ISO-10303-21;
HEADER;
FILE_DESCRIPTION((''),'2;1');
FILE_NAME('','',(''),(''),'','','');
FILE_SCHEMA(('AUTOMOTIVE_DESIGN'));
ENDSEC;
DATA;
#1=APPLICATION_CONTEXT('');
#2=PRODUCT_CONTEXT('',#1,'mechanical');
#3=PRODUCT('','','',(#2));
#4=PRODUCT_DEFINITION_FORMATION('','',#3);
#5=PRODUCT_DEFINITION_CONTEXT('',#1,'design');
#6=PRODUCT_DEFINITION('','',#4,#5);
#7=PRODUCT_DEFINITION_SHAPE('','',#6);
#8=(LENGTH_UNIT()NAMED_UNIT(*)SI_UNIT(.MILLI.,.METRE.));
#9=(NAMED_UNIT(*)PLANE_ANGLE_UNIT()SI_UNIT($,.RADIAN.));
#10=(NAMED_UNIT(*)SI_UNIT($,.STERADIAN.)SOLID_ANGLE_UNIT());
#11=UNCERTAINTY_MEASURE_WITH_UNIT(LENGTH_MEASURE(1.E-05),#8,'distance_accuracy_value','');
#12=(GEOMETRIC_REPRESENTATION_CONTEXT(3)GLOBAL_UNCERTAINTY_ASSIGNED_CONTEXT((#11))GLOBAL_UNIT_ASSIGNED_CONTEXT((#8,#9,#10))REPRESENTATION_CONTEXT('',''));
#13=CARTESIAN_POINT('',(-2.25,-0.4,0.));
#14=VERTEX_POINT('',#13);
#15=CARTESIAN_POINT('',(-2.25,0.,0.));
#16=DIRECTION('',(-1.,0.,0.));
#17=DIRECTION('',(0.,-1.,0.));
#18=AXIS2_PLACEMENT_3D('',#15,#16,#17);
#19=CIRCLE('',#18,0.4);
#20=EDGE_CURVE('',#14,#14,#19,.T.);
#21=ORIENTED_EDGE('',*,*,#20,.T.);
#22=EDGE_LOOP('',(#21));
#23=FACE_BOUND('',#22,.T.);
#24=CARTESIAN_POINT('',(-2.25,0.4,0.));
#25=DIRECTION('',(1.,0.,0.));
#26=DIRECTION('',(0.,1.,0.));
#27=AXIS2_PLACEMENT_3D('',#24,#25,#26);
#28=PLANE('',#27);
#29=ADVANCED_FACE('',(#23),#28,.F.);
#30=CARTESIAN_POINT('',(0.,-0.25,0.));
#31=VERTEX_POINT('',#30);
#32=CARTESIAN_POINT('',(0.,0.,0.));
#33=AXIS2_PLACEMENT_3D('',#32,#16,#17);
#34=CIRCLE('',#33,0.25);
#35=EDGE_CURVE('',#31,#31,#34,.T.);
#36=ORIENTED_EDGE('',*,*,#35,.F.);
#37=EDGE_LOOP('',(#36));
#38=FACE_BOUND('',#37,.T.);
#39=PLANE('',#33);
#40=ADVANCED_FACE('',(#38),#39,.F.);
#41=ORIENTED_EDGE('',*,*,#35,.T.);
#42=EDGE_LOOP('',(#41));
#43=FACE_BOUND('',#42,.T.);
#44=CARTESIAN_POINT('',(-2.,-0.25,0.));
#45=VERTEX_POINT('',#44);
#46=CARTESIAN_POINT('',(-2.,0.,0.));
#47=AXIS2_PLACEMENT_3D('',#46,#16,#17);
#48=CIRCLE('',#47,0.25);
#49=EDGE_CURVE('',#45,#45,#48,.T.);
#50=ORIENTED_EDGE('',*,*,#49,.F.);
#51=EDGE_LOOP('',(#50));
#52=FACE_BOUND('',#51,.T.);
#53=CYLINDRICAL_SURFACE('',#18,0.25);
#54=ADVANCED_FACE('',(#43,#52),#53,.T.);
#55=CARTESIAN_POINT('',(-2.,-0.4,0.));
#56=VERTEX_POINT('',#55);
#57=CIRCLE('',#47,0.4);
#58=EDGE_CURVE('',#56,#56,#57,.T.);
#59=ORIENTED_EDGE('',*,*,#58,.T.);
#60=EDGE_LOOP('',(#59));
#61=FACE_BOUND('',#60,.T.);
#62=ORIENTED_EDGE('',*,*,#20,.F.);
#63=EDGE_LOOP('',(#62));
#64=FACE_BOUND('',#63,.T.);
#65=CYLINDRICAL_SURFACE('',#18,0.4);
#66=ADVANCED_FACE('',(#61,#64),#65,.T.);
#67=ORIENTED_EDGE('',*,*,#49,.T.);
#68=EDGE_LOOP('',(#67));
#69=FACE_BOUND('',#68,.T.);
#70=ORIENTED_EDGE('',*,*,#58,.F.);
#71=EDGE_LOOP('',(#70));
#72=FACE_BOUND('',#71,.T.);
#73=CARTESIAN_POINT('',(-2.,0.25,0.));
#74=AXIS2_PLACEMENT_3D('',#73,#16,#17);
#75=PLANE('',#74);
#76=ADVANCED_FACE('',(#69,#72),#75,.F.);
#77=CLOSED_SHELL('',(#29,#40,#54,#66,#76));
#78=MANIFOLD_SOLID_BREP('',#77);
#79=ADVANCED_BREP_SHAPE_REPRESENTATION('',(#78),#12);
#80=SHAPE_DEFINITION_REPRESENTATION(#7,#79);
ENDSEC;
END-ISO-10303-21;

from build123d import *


with BuildPart() as part:
    # Sketch1 → Revolve1 (revolve)
    with BuildSketch(Plane.XY, mode=Mode.PRIVATE) as revolve1_sk:
        Polygon((0, 0), (0, 0.25), (-2, 0.25), (-2, 0.4), (-2.25, 0.4), (-2.25, 0), align=None)
    revolve(revolve1_sk.sketch.rotate(Axis((-2.25, 0, 0), (1, 0, 0)), 180), axis=Axis((-2.25, 0, 0), (1, 0, 0)))


solid = part.part
